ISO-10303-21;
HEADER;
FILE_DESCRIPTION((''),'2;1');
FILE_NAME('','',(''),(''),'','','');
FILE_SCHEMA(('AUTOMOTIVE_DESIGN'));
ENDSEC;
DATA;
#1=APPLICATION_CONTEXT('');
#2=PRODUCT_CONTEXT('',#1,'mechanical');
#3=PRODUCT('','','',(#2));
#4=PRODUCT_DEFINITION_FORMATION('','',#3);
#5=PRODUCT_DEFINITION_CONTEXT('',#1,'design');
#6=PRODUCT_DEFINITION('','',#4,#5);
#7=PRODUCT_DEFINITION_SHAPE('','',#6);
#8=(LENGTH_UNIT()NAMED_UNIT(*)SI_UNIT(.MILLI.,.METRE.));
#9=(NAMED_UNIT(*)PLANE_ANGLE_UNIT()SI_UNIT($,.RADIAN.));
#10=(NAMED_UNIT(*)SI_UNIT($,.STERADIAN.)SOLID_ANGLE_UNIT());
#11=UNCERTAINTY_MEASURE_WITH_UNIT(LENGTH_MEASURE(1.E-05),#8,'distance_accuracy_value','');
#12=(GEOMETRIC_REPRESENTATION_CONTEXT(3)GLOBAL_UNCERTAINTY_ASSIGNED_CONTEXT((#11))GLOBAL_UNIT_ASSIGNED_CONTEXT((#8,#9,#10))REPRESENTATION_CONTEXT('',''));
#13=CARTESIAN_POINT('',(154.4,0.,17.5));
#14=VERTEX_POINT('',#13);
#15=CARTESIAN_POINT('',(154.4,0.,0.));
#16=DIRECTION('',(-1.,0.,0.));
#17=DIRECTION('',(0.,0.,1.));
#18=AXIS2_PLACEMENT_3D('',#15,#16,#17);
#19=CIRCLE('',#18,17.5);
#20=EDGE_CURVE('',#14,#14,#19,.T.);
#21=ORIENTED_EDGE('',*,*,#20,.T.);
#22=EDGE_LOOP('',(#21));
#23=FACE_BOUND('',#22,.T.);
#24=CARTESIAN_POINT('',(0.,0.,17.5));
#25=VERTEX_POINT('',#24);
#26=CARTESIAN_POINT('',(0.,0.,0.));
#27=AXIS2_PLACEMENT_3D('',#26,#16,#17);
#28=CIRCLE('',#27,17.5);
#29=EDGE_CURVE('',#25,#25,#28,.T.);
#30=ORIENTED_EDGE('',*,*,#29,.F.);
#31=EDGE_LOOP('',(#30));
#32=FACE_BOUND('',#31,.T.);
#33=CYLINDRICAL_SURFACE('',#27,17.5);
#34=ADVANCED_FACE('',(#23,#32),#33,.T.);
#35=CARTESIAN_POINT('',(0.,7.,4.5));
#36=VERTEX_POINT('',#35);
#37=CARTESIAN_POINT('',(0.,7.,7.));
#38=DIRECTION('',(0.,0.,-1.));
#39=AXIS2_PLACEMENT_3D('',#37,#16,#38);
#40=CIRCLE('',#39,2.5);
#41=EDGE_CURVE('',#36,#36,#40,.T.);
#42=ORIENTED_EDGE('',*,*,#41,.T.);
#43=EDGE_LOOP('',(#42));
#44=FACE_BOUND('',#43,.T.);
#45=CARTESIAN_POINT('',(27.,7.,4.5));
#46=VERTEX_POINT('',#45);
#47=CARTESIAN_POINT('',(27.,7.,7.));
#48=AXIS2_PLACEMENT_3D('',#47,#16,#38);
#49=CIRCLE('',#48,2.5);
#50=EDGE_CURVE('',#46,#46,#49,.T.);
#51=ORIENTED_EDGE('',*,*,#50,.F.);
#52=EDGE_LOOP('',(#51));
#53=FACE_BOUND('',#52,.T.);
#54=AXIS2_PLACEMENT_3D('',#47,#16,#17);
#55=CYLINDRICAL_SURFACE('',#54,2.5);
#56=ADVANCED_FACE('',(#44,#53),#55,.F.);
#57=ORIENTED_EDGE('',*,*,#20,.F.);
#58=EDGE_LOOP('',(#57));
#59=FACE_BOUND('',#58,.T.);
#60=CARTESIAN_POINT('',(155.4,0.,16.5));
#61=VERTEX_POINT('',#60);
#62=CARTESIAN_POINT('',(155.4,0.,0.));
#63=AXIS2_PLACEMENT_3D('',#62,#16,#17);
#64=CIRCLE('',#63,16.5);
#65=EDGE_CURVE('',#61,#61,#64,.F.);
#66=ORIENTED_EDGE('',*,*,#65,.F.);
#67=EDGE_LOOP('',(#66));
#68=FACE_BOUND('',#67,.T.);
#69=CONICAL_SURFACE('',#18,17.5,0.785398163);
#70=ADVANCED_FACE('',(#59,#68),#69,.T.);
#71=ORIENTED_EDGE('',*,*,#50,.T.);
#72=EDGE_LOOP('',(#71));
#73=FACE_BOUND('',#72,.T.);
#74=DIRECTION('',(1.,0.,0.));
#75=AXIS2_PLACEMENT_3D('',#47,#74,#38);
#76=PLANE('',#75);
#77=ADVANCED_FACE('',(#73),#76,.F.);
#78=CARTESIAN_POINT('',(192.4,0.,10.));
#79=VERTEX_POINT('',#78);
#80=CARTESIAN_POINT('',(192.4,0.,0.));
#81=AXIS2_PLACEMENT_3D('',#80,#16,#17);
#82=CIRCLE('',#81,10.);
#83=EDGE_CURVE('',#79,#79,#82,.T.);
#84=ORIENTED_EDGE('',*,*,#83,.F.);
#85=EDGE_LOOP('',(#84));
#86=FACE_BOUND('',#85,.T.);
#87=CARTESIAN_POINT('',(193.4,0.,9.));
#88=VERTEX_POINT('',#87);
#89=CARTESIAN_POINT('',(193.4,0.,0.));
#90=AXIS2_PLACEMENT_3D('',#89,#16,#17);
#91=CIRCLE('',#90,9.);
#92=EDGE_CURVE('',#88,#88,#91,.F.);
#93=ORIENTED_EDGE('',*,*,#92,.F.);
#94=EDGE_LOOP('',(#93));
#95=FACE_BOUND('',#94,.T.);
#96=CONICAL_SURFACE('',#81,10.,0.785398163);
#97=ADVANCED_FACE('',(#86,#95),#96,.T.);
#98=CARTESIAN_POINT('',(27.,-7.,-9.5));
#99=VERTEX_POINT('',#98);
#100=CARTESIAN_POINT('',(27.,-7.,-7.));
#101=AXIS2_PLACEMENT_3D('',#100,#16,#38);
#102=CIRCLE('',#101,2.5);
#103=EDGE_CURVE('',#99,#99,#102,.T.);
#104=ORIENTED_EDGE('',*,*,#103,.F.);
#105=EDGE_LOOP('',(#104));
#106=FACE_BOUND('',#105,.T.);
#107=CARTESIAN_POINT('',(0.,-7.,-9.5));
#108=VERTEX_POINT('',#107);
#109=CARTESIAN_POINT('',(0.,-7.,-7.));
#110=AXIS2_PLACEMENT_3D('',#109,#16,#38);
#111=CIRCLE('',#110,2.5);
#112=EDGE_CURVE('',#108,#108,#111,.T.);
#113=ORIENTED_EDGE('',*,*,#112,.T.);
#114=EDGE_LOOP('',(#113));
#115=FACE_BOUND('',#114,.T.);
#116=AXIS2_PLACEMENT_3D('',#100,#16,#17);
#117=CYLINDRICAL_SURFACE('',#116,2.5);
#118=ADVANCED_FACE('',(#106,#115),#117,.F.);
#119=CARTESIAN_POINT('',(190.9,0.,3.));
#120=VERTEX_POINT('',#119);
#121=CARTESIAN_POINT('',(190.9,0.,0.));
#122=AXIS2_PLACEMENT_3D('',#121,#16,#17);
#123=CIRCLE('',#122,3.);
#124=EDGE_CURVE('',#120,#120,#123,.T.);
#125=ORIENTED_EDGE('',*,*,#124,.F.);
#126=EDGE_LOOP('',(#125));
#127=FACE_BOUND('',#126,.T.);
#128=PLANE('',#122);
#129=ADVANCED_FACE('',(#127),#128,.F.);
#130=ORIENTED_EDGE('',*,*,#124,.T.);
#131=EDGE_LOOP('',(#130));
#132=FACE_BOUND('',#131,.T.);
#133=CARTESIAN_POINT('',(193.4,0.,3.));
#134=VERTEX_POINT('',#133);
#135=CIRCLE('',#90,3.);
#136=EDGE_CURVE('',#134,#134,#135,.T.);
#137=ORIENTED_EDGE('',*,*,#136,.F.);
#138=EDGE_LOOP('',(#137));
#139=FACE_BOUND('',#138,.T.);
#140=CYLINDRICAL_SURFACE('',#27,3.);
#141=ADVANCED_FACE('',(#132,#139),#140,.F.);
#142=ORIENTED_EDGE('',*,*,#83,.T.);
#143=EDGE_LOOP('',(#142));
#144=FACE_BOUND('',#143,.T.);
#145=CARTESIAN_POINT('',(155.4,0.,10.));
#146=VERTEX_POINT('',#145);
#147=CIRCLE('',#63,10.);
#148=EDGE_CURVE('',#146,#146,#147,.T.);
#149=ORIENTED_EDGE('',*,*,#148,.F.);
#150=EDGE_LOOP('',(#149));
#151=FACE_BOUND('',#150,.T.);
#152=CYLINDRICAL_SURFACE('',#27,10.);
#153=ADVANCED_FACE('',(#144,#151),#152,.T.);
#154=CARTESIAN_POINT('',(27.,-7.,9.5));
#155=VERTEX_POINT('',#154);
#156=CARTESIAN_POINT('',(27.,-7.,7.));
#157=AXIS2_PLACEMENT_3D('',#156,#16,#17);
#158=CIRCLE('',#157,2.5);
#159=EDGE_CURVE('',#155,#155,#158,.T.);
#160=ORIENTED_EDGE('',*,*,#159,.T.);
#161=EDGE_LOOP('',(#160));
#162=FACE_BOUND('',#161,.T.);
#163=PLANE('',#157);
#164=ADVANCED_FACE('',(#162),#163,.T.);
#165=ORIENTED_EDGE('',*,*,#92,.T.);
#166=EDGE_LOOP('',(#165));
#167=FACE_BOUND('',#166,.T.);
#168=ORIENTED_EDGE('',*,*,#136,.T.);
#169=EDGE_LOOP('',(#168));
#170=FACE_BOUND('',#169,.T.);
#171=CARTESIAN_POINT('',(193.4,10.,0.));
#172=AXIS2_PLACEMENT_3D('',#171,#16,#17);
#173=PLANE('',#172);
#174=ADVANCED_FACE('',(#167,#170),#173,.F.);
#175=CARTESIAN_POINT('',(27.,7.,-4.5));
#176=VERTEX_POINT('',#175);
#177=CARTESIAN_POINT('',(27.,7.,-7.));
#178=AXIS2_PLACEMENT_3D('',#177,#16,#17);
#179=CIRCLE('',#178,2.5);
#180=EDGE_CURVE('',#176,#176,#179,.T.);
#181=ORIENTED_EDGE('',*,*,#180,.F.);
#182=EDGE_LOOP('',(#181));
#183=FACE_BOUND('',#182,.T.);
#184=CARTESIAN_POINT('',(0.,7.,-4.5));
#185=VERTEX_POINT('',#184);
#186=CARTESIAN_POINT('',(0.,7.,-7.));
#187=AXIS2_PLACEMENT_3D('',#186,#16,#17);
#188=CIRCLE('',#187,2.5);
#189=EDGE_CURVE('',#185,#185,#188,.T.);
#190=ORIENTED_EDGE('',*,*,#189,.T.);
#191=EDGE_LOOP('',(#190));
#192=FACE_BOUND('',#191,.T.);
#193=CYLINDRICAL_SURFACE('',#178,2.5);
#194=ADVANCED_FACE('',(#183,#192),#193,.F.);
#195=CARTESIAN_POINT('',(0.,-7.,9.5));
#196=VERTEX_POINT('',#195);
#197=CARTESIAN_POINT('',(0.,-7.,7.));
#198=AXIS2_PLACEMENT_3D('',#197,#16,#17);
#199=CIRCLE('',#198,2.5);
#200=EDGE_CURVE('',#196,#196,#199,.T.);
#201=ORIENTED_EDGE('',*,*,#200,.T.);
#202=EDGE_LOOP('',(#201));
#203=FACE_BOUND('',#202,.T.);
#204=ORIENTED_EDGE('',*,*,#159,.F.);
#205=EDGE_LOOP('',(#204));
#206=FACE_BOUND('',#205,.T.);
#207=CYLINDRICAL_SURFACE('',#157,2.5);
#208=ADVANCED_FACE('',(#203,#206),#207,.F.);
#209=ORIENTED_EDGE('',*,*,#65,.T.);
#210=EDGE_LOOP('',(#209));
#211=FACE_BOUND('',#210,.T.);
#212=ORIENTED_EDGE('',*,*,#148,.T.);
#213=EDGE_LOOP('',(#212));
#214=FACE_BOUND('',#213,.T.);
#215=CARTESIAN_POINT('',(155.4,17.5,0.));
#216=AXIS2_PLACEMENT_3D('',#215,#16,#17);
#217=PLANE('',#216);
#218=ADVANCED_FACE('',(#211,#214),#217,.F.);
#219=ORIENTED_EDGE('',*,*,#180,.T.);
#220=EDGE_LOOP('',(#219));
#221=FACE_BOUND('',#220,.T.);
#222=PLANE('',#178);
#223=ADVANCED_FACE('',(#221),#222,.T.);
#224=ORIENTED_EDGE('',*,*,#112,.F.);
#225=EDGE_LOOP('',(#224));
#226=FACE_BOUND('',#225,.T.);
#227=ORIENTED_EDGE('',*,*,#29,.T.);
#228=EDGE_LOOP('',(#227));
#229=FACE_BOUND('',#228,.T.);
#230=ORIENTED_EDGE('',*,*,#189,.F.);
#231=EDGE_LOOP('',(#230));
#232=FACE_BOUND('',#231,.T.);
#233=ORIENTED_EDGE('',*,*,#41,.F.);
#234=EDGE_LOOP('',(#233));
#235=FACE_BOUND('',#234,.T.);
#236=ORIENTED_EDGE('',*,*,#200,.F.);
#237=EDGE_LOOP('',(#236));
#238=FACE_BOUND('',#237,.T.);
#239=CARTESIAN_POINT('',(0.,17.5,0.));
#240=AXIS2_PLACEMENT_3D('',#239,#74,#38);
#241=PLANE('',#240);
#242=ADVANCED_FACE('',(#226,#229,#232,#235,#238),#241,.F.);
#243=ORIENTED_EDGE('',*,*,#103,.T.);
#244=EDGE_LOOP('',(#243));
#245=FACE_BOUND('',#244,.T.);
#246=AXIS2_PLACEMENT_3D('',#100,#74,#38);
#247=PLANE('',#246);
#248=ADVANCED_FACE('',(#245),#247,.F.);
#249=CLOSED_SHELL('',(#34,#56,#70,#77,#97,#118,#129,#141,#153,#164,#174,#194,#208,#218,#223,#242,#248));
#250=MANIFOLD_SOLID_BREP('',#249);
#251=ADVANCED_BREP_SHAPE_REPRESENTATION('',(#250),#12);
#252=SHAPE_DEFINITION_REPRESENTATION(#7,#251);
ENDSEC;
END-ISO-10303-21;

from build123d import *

# Parameters (mm, degrees)
CHAMFER1_SIZE      = 1
SKETCH2_R          = 2.5
CUT_EXTRUDE1_DEPTH = 27


with BuildPart() as part:
    # Sketch1 → Revolve1 (revolve)
    with BuildSketch(Plane.XY, mode=Mode.PRIVATE) as revolve1_sk:
        Polygon((190.9, 0), (190.9, 3), (193.4, 3), (193.4, 10), (155.4, 10), (155.4, 17.5), (0, 17.5), (0, 0), align=None)
    revolve(revolve1_sk.sketch.rotate(Axis((0, 0, 0), (1, 0, 0)), 90), axis=Axis((0, 0, 0), (1, 0, 0)))

    # Chamfer1
    chamfer1_edges = [part.edges().sort_by_distance(p)[0] for p in [
        (193.4, 0, -10),
        (155.4, 0, -17.5),
    ]]
    chamfer(chamfer1_edges, length=CHAMFER1_SIZE)

    # Sketch2 → Cut-Extrude1 (cut)
    with BuildSketch(Plane.ZY):
        with Locations((-7, 7)):
            Circle(SKETCH2_R)
        with Locations(Location((7, 7, 0), (0, 0, 180))):
            Circle(SKETCH2_R)
        with Locations((7, -7)):
            Circle(SKETCH2_R)
        with Locations(Location((-7, -7, 0), (0, 0, 180))):
            Circle(SKETCH2_R)
    extrude(amount=-CUT_EXTRUDE1_DEPTH, mode=Mode.SUBTRACT)


solid = part.part
